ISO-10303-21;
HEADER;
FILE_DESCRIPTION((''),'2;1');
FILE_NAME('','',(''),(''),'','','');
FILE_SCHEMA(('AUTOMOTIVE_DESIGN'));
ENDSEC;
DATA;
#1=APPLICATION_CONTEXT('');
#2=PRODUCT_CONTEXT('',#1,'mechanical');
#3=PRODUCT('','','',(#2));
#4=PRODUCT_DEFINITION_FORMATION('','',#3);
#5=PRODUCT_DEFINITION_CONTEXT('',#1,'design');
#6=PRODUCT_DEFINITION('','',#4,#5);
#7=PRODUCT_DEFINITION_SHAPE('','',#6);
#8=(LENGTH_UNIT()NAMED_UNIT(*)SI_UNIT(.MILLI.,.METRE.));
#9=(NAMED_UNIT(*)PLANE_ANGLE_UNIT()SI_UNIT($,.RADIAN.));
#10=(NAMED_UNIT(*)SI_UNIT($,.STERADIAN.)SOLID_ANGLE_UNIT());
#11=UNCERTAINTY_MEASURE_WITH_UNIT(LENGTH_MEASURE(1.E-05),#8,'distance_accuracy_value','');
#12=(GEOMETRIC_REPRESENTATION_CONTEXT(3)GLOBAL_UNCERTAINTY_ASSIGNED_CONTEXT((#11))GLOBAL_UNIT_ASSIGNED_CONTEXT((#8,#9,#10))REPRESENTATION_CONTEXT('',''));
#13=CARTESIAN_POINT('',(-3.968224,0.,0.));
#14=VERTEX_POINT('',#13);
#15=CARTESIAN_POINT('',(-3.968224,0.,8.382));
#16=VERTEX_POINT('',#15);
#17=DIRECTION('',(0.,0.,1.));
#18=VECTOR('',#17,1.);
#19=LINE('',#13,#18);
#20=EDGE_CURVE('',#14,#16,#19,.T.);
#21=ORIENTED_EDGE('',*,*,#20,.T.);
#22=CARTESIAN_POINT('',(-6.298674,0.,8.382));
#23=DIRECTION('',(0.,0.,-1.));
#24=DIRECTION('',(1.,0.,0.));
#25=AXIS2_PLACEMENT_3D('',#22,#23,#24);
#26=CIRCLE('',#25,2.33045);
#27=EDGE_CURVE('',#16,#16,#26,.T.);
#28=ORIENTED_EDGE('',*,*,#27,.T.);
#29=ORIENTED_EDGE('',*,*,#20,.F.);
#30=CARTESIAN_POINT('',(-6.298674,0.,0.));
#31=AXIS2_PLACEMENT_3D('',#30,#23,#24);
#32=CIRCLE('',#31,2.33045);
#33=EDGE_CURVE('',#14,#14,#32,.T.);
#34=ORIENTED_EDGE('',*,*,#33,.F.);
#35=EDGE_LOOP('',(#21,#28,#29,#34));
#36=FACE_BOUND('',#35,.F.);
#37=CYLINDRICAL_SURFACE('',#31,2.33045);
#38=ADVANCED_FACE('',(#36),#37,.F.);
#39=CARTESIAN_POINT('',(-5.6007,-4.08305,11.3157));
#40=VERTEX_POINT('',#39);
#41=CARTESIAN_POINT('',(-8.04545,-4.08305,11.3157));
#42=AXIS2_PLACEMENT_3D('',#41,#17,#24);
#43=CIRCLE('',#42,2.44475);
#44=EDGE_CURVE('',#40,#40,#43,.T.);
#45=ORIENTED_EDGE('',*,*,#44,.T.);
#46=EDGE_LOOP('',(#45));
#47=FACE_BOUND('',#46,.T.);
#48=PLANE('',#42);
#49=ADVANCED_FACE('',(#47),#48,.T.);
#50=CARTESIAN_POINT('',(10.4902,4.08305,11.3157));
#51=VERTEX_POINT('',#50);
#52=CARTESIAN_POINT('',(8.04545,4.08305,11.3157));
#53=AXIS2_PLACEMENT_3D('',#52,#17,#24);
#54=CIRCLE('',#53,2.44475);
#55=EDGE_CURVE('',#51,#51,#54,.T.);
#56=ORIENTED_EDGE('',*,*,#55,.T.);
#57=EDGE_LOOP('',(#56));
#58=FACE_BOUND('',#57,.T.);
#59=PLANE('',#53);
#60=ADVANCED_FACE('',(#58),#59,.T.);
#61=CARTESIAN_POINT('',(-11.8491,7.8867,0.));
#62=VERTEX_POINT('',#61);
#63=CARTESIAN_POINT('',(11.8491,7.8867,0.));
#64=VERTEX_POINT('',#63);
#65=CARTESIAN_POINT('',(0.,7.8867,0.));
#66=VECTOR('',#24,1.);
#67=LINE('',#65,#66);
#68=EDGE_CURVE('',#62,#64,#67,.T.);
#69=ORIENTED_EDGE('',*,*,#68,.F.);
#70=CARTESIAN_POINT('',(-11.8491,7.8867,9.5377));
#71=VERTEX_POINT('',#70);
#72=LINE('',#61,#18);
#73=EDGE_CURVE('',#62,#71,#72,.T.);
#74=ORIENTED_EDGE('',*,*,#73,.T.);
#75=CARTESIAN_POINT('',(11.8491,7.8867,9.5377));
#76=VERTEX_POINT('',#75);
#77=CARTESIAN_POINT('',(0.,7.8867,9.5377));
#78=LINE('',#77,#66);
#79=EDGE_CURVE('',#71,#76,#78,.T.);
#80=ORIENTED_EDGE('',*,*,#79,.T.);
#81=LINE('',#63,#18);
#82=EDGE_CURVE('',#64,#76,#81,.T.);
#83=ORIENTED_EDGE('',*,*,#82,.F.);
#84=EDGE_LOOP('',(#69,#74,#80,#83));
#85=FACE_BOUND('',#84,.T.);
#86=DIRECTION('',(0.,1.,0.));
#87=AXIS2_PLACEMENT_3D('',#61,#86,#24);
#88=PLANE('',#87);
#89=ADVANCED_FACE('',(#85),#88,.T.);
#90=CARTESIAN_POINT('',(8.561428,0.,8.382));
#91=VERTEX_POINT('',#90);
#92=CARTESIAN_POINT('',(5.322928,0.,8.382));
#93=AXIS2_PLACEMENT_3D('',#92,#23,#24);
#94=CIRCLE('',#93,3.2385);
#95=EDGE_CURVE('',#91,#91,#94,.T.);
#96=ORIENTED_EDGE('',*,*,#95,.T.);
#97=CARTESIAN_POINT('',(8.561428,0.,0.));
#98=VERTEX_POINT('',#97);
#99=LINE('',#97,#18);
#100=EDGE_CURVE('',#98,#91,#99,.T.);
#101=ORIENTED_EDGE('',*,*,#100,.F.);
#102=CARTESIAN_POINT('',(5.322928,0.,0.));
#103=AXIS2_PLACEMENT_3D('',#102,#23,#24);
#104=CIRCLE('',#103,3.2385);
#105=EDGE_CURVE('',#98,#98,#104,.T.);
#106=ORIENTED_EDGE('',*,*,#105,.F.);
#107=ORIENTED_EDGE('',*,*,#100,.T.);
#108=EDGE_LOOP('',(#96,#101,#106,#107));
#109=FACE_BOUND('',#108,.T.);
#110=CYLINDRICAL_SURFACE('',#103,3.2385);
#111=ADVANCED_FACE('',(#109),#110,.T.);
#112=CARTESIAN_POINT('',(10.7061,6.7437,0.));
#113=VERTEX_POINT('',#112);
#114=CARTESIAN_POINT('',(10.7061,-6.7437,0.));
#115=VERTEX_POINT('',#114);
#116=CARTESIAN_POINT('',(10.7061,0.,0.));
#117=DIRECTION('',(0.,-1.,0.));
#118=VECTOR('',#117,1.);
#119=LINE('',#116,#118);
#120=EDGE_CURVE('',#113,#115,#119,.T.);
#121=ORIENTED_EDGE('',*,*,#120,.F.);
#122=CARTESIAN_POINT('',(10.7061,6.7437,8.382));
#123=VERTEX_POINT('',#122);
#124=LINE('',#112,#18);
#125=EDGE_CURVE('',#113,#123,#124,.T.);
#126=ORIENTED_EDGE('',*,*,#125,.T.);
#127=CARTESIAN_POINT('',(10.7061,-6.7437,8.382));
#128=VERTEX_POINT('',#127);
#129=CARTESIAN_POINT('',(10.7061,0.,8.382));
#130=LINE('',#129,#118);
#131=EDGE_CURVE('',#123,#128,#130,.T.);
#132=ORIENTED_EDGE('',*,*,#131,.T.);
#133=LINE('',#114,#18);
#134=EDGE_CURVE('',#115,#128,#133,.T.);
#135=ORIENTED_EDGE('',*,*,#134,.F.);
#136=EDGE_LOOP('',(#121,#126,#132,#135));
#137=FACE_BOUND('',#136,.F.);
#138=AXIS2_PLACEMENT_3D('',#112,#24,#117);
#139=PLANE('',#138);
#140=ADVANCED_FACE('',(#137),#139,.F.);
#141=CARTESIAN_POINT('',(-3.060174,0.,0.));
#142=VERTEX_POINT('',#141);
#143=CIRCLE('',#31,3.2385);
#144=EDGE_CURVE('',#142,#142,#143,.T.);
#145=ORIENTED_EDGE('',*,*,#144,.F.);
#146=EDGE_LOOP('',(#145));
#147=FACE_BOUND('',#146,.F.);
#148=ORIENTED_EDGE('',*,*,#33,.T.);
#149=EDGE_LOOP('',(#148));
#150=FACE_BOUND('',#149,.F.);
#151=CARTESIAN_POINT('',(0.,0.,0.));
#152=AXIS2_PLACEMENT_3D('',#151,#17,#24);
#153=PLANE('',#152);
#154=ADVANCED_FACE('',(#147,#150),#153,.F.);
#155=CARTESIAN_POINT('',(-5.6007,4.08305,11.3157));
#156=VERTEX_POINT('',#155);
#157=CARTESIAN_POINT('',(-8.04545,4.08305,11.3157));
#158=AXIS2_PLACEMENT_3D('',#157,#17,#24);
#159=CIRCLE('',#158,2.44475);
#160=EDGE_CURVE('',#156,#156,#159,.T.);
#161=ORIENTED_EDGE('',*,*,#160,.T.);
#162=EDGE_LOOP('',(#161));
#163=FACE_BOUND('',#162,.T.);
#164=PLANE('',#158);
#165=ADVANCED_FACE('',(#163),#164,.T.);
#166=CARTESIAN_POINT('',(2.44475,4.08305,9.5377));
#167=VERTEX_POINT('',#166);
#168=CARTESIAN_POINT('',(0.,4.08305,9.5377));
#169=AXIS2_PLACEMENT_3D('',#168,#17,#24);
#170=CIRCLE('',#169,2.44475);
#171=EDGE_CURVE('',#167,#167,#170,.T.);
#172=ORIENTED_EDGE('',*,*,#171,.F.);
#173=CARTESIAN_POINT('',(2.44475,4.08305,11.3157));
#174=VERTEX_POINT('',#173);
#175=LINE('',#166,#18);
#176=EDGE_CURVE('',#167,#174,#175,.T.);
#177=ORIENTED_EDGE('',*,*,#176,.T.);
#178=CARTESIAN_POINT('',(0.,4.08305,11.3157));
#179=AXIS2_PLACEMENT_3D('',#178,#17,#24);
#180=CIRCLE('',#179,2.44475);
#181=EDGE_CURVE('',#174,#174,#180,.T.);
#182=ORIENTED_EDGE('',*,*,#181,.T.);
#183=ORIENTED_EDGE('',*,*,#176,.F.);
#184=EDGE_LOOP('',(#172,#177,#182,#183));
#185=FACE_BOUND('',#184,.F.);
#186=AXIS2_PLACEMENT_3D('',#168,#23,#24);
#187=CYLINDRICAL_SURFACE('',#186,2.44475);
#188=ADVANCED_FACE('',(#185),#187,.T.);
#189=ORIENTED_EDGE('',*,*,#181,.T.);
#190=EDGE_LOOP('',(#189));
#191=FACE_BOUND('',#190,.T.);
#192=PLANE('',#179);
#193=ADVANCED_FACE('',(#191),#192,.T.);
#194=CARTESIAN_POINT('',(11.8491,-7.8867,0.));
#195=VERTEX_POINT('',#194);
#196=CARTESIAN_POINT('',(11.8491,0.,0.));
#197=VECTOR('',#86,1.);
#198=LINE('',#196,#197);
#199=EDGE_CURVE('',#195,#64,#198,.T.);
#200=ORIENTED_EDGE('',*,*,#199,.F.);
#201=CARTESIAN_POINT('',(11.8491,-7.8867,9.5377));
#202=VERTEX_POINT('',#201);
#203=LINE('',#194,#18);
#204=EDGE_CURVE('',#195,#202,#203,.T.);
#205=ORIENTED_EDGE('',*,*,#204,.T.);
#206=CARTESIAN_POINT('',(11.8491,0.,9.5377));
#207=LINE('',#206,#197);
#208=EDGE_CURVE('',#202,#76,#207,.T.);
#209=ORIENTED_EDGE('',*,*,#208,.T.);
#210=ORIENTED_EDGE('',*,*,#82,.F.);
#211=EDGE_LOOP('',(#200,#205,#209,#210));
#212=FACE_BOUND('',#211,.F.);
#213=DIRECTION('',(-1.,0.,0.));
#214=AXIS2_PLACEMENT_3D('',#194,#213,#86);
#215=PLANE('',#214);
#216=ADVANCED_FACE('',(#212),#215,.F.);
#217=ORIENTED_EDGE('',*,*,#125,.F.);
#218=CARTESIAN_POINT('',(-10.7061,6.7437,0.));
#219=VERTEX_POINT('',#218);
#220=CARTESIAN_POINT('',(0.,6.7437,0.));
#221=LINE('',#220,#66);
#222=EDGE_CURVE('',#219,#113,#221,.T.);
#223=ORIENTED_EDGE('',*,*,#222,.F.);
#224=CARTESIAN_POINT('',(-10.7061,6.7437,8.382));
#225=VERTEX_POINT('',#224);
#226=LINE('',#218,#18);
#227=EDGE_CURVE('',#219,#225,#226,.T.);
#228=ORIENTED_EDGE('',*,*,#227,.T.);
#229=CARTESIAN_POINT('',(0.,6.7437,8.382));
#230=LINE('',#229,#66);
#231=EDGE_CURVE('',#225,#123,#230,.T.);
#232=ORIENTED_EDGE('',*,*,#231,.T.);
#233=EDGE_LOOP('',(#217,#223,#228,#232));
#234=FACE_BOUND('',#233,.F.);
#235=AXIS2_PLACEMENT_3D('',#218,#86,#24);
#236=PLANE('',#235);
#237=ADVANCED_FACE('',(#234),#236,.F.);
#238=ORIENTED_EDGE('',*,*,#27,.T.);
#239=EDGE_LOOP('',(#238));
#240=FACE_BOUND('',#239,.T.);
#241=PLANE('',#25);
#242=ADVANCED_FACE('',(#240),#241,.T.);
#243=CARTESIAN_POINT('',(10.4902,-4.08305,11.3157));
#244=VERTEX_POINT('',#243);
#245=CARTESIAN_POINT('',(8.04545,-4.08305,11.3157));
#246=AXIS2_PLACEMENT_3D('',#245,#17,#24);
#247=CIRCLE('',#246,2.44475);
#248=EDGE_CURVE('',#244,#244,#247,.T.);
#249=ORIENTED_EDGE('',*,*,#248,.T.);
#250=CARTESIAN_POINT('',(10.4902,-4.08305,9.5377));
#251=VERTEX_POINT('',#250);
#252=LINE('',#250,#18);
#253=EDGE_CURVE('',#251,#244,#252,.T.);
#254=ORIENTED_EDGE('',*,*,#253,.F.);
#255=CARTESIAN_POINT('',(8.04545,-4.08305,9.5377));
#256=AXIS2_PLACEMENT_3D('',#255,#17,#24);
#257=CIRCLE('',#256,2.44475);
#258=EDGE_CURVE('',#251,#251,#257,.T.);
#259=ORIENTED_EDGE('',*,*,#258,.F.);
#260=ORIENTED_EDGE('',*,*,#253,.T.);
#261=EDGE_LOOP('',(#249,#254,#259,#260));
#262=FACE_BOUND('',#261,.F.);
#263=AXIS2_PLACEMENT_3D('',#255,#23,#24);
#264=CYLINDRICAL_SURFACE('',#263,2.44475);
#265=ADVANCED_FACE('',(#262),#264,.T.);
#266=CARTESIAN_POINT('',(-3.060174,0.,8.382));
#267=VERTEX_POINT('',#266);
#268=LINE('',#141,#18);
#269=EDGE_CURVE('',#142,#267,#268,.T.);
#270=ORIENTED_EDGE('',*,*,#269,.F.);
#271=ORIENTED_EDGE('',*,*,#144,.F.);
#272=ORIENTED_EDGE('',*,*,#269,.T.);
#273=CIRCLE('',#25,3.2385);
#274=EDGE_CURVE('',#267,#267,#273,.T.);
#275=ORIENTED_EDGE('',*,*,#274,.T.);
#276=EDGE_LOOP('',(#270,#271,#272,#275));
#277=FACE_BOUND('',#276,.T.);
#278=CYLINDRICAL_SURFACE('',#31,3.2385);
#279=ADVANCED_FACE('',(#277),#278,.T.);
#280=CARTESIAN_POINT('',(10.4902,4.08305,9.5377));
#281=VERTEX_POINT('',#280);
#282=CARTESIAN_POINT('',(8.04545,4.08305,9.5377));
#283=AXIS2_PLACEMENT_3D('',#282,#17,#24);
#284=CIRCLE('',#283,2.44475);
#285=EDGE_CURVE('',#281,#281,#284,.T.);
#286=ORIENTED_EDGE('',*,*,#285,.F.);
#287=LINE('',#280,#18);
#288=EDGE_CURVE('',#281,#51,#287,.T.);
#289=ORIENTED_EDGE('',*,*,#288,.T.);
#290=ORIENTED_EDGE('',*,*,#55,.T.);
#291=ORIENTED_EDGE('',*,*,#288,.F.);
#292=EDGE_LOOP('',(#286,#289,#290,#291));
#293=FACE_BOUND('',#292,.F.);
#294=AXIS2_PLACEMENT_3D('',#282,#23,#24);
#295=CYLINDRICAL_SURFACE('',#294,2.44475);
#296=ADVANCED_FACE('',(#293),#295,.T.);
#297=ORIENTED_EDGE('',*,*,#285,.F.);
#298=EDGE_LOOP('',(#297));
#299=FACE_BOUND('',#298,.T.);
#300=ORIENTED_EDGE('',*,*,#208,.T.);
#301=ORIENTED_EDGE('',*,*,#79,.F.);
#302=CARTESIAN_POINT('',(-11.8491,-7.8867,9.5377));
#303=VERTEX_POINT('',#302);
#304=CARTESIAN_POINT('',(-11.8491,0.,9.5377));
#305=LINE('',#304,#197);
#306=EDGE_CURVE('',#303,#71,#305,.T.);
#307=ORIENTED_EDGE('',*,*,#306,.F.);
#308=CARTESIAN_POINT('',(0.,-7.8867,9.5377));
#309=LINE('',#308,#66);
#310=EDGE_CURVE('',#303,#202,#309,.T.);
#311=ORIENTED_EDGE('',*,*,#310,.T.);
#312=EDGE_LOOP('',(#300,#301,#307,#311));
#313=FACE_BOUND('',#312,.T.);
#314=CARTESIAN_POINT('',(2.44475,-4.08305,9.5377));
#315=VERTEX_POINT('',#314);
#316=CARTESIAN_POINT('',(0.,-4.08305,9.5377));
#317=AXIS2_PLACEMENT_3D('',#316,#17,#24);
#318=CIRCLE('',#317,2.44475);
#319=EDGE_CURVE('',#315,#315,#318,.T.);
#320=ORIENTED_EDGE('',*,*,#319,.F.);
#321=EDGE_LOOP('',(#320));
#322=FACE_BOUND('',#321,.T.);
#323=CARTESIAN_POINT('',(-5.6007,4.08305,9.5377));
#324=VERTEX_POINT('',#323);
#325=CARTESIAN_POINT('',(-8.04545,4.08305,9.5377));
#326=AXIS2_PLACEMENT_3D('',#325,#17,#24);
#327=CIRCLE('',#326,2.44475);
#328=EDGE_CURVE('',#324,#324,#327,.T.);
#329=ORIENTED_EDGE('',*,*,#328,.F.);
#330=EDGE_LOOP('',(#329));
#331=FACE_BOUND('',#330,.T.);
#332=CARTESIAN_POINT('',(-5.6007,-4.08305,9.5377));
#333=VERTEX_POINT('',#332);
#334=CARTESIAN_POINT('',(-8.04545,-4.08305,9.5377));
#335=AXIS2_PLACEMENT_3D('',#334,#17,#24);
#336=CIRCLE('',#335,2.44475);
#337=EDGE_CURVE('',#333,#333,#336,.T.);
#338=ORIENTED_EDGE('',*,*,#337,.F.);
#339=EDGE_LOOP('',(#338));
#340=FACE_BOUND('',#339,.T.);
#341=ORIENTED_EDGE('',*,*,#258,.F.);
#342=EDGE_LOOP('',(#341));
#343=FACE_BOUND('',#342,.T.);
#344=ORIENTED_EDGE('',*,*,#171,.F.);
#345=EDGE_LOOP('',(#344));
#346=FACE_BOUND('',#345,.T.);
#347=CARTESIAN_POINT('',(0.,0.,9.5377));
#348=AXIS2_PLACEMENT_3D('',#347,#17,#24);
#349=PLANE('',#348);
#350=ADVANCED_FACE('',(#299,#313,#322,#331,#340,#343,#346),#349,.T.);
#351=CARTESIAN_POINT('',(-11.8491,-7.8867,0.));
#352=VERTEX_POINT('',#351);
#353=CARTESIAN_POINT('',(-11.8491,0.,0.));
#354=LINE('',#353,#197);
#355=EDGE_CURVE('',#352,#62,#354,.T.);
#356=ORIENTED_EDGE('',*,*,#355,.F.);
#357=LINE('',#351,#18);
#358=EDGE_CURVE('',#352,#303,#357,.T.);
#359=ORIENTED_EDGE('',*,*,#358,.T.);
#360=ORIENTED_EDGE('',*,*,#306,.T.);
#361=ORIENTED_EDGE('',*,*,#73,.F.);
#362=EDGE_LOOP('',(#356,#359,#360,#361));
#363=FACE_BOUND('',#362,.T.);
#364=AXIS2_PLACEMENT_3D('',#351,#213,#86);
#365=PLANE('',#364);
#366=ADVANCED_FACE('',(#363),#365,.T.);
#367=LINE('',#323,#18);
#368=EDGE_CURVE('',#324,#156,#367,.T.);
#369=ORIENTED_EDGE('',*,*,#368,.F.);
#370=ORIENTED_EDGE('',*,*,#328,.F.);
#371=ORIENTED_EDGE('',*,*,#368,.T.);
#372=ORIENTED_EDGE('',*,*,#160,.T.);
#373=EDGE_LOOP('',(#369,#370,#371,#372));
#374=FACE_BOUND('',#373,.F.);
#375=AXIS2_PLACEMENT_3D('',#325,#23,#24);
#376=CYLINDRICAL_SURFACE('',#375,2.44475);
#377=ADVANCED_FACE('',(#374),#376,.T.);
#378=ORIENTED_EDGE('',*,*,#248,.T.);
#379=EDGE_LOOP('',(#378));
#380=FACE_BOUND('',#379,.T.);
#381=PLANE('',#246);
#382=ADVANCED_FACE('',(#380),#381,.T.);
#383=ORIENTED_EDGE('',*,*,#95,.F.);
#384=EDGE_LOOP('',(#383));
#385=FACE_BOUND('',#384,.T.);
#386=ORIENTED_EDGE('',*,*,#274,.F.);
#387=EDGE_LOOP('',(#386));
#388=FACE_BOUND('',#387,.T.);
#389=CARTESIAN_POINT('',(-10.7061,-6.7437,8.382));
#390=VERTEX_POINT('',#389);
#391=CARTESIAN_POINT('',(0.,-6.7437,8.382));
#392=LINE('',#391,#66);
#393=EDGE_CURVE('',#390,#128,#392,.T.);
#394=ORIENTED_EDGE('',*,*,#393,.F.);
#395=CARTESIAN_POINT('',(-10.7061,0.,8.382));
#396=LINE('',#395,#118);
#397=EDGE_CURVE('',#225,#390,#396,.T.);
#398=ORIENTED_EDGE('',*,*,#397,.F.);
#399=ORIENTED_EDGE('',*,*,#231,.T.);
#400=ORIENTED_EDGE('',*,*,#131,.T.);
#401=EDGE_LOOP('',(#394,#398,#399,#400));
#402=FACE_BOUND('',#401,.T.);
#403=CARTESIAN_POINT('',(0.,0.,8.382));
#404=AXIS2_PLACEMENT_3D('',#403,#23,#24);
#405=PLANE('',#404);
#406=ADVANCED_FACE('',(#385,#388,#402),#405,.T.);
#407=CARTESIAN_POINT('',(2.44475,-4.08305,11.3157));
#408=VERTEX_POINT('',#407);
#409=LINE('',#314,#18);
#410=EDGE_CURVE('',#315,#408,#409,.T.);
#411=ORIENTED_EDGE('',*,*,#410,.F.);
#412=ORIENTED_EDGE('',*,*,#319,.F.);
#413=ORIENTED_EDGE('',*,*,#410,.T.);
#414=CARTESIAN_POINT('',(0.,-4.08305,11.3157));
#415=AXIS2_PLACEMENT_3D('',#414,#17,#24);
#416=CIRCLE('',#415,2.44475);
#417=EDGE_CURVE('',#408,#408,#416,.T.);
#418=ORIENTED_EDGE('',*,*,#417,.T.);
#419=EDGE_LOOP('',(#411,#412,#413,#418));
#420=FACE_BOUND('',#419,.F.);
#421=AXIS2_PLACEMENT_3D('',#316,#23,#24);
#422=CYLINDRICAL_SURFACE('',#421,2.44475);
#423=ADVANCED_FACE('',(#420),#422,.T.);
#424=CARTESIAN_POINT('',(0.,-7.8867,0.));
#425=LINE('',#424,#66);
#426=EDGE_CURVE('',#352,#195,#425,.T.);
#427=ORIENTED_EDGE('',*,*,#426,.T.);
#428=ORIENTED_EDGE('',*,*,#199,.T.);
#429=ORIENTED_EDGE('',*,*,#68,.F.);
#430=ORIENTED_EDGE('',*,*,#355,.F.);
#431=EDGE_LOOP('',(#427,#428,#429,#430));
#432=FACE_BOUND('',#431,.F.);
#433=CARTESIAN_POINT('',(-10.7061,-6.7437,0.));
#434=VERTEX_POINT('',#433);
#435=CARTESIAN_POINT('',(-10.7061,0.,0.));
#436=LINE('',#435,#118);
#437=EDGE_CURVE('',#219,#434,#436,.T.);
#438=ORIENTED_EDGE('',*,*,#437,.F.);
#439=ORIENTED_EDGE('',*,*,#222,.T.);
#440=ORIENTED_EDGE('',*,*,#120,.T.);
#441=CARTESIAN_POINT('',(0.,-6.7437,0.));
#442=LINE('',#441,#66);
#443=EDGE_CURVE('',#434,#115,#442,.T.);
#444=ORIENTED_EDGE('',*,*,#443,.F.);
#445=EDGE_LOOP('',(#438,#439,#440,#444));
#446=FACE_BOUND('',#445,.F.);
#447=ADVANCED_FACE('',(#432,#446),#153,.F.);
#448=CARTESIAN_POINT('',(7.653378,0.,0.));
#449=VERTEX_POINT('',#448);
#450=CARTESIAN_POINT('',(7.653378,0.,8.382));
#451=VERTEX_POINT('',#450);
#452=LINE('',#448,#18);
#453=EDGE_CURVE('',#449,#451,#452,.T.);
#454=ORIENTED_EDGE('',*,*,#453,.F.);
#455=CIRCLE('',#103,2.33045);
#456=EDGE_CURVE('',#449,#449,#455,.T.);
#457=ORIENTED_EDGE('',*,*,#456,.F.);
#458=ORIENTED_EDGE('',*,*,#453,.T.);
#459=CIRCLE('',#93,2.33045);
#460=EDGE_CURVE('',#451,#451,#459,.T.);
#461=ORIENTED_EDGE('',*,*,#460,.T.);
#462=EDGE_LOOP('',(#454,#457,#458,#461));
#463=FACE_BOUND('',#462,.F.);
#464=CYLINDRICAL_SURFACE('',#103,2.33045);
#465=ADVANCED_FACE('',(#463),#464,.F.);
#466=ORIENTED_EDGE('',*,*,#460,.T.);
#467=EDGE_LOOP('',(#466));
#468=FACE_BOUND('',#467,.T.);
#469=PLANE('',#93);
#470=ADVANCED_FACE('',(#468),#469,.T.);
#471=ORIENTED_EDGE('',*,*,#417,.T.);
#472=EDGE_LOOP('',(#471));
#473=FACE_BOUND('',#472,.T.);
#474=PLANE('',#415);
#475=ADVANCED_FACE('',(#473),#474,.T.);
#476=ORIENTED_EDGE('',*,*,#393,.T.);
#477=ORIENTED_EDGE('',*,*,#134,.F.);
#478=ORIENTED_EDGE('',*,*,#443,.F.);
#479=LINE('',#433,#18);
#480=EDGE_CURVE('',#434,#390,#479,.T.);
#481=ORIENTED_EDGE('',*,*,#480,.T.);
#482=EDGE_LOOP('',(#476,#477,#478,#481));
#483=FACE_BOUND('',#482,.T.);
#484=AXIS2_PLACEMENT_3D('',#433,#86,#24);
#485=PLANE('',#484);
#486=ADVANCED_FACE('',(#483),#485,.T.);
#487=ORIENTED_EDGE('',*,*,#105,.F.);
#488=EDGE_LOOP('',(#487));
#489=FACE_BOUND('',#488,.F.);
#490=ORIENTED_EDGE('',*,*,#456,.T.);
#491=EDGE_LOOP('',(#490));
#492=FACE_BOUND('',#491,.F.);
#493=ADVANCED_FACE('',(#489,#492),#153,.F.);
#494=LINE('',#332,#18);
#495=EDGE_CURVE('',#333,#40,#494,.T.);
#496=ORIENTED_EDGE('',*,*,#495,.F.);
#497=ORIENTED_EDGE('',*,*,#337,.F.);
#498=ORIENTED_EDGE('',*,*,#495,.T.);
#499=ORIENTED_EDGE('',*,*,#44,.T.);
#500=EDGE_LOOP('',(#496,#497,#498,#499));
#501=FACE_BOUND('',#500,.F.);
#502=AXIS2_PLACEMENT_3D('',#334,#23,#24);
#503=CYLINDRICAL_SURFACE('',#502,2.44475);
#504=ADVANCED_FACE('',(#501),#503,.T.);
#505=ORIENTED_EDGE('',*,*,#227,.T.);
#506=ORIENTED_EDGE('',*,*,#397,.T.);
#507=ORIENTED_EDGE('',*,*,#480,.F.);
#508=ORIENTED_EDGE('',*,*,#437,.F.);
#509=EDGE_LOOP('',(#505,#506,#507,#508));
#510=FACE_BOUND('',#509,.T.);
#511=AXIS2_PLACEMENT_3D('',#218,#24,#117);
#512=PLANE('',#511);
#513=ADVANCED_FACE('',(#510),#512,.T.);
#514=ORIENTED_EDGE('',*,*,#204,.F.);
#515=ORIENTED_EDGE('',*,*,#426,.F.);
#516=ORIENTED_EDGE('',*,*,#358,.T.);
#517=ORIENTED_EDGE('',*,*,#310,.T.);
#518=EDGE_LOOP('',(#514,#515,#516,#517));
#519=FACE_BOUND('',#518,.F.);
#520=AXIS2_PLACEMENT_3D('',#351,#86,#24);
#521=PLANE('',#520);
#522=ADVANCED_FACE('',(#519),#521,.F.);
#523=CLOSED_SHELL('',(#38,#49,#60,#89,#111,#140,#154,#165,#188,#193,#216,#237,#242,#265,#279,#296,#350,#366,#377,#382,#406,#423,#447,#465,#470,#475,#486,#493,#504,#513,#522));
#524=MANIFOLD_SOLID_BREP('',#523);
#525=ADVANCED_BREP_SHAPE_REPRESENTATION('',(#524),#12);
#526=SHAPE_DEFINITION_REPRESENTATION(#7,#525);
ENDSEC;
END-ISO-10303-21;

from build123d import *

# Parameters (mm, degrees)
F0_W     = 23.6982
F0_H     = 15.7734
F1_DEPTH = 9.5377
F2_R     = 2.44475
F3_DEPTH = 1.778
F4_W     = 21.4122
F4_H     = 13.4874
F4_R     = 3.2385
F5_DEPTH = 8.382
F4_R_2   = 2.33045
F6_DEPTH = 8.382


with BuildPart() as f1:
    # F0 (on Top) → F1 (new body)
    with BuildSketch(Plane.XY):
        Rectangle(F0_W, F0_H)
    extrude(amount=F1_DEPTH)

    # F2 (on face) → F3 (join)
    with BuildSketch(Plane.XY.offset(9.5377)):
        with Locations((-8.04545, -4.08305)):
            Circle(F2_R)
        with Locations((0, -4.08305)):
            Circle(F2_R)
        with Locations((8.04545, -4.08305)):
            Circle(F2_R)
        with Locations((8.04545, 4.08305)):
            Circle(F2_R)
        with Locations((0, 4.08305)):
            Circle(F2_R)
        with Locations((-8.04545, 4.08305)):
            Circle(F2_R)
    extrude(amount=F3_DEPTH)

    # F4 (on face) → F5 (cut)
    with BuildSketch(Plane(origin=(0, 0, 0), x_dir=(1, 0, 0), z_dir=(0, 0, -1))):
        Rectangle(F4_W, F4_H)
        with Locations((-6.298674, 0)):
            Circle(F4_R, mode=Mode.SUBTRACT)
        with Locations((5.322928, 0)):
            Circle(F4_R, mode=Mode.SUBTRACT)
    extrude(amount=-F5_DEPTH, mode=Mode.SUBTRACT)

    # F4 (on face) → F6 (cut)
    with BuildSketch(Plane(origin=(0, 0, 0), x_dir=(1, 0, 0), z_dir=(0, 0, -1))):
        with Locations((-6.298674, 0)):
            Circle(F4_R_2)
        with Locations((5.322928, 0)):
            Circle(F4_R_2)
    extrude(amount=-F6_DEPTH, mode=Mode.SUBTRACT)


solid = f1.part
